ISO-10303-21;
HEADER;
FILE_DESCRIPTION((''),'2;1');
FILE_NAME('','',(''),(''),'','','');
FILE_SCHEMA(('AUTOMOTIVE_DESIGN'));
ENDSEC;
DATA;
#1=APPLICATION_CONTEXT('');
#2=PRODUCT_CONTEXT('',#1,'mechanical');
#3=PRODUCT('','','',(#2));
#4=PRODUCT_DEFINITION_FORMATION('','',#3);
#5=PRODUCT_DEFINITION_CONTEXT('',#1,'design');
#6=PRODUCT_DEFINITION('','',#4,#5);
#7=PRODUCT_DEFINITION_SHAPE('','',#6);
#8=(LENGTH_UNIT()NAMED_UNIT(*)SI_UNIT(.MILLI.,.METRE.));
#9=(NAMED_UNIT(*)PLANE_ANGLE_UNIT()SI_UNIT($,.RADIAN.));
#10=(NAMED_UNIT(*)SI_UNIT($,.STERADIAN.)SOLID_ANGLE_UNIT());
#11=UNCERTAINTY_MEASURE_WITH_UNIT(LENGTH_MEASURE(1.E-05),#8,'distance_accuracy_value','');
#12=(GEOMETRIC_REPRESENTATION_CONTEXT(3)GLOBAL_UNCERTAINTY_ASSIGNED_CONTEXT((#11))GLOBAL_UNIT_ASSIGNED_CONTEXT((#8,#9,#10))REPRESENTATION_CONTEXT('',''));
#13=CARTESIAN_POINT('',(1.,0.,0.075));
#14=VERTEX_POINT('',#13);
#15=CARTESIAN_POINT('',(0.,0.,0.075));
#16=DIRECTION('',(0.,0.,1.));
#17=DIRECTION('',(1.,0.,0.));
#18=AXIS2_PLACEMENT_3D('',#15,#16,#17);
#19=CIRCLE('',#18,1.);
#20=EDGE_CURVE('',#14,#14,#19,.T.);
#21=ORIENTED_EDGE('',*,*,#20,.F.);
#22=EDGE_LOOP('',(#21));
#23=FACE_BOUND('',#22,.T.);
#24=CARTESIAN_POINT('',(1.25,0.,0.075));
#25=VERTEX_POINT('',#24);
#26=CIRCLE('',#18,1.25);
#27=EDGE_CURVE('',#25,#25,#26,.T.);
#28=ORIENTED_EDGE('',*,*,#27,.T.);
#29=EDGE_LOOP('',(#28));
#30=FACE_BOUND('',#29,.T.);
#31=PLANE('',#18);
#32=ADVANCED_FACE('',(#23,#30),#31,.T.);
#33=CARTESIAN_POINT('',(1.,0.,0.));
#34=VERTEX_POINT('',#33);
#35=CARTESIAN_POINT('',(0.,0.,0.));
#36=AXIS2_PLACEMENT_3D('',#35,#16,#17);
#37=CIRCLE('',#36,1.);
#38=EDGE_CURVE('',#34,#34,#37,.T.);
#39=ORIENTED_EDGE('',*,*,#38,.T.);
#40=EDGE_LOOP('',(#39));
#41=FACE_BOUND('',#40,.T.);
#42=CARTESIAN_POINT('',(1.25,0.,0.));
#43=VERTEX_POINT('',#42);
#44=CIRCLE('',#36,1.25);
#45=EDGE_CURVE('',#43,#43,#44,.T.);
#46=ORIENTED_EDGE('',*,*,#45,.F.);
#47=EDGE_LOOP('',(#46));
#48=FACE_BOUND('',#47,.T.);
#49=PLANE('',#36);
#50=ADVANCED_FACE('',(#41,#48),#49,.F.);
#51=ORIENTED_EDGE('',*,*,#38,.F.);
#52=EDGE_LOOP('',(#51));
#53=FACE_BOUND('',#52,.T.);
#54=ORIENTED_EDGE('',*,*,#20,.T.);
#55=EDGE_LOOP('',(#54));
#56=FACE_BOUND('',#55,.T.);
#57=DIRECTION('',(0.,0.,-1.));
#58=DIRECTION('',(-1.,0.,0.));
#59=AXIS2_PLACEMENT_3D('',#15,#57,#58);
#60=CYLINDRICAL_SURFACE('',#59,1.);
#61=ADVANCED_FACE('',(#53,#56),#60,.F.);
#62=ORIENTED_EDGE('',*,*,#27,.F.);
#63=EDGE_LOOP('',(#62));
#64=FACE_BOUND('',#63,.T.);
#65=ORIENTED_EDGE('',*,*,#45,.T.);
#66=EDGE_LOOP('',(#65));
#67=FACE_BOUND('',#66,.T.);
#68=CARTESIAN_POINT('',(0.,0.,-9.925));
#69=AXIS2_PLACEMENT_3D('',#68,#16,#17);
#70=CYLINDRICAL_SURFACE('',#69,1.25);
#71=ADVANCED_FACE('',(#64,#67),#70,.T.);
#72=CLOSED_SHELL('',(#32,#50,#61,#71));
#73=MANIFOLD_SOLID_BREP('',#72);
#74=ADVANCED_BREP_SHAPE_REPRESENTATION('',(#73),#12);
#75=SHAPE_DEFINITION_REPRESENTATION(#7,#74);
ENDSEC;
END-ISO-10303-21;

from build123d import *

# Parameters (mm, degrees)
SKETCH1_R           = 1.666666667
SKETCH1_R_2         = 1
BOSS_EXTRUDE1_DEPTH = 0.075
SKETCH2_R           = 1.869609612
SKETCH2_R_2         = 1.25
CUT_EXTRUDE1_DEPTH  = 10


with BuildPart() as part:
    # Sketch1 → Boss-Extrude1 (new body)
    with BuildSketch(Plane.XY):
        Circle(SKETCH1_R)
        Circle(SKETCH1_R_2, mode=Mode.SUBTRACT)
    extrude(amount=BOSS_EXTRUDE1_DEPTH)

    # Sketch2 → Cut-Extrude1 (cut)
    with BuildSketch(Plane.XY.offset(0.075)):
        Circle(SKETCH2_R)
        Circle(SKETCH2_R_2, mode=Mode.SUBTRACT)
    extrude(amount=-CUT_EXTRUDE1_DEPTH, mode=Mode.SUBTRACT)


solid = part.part
